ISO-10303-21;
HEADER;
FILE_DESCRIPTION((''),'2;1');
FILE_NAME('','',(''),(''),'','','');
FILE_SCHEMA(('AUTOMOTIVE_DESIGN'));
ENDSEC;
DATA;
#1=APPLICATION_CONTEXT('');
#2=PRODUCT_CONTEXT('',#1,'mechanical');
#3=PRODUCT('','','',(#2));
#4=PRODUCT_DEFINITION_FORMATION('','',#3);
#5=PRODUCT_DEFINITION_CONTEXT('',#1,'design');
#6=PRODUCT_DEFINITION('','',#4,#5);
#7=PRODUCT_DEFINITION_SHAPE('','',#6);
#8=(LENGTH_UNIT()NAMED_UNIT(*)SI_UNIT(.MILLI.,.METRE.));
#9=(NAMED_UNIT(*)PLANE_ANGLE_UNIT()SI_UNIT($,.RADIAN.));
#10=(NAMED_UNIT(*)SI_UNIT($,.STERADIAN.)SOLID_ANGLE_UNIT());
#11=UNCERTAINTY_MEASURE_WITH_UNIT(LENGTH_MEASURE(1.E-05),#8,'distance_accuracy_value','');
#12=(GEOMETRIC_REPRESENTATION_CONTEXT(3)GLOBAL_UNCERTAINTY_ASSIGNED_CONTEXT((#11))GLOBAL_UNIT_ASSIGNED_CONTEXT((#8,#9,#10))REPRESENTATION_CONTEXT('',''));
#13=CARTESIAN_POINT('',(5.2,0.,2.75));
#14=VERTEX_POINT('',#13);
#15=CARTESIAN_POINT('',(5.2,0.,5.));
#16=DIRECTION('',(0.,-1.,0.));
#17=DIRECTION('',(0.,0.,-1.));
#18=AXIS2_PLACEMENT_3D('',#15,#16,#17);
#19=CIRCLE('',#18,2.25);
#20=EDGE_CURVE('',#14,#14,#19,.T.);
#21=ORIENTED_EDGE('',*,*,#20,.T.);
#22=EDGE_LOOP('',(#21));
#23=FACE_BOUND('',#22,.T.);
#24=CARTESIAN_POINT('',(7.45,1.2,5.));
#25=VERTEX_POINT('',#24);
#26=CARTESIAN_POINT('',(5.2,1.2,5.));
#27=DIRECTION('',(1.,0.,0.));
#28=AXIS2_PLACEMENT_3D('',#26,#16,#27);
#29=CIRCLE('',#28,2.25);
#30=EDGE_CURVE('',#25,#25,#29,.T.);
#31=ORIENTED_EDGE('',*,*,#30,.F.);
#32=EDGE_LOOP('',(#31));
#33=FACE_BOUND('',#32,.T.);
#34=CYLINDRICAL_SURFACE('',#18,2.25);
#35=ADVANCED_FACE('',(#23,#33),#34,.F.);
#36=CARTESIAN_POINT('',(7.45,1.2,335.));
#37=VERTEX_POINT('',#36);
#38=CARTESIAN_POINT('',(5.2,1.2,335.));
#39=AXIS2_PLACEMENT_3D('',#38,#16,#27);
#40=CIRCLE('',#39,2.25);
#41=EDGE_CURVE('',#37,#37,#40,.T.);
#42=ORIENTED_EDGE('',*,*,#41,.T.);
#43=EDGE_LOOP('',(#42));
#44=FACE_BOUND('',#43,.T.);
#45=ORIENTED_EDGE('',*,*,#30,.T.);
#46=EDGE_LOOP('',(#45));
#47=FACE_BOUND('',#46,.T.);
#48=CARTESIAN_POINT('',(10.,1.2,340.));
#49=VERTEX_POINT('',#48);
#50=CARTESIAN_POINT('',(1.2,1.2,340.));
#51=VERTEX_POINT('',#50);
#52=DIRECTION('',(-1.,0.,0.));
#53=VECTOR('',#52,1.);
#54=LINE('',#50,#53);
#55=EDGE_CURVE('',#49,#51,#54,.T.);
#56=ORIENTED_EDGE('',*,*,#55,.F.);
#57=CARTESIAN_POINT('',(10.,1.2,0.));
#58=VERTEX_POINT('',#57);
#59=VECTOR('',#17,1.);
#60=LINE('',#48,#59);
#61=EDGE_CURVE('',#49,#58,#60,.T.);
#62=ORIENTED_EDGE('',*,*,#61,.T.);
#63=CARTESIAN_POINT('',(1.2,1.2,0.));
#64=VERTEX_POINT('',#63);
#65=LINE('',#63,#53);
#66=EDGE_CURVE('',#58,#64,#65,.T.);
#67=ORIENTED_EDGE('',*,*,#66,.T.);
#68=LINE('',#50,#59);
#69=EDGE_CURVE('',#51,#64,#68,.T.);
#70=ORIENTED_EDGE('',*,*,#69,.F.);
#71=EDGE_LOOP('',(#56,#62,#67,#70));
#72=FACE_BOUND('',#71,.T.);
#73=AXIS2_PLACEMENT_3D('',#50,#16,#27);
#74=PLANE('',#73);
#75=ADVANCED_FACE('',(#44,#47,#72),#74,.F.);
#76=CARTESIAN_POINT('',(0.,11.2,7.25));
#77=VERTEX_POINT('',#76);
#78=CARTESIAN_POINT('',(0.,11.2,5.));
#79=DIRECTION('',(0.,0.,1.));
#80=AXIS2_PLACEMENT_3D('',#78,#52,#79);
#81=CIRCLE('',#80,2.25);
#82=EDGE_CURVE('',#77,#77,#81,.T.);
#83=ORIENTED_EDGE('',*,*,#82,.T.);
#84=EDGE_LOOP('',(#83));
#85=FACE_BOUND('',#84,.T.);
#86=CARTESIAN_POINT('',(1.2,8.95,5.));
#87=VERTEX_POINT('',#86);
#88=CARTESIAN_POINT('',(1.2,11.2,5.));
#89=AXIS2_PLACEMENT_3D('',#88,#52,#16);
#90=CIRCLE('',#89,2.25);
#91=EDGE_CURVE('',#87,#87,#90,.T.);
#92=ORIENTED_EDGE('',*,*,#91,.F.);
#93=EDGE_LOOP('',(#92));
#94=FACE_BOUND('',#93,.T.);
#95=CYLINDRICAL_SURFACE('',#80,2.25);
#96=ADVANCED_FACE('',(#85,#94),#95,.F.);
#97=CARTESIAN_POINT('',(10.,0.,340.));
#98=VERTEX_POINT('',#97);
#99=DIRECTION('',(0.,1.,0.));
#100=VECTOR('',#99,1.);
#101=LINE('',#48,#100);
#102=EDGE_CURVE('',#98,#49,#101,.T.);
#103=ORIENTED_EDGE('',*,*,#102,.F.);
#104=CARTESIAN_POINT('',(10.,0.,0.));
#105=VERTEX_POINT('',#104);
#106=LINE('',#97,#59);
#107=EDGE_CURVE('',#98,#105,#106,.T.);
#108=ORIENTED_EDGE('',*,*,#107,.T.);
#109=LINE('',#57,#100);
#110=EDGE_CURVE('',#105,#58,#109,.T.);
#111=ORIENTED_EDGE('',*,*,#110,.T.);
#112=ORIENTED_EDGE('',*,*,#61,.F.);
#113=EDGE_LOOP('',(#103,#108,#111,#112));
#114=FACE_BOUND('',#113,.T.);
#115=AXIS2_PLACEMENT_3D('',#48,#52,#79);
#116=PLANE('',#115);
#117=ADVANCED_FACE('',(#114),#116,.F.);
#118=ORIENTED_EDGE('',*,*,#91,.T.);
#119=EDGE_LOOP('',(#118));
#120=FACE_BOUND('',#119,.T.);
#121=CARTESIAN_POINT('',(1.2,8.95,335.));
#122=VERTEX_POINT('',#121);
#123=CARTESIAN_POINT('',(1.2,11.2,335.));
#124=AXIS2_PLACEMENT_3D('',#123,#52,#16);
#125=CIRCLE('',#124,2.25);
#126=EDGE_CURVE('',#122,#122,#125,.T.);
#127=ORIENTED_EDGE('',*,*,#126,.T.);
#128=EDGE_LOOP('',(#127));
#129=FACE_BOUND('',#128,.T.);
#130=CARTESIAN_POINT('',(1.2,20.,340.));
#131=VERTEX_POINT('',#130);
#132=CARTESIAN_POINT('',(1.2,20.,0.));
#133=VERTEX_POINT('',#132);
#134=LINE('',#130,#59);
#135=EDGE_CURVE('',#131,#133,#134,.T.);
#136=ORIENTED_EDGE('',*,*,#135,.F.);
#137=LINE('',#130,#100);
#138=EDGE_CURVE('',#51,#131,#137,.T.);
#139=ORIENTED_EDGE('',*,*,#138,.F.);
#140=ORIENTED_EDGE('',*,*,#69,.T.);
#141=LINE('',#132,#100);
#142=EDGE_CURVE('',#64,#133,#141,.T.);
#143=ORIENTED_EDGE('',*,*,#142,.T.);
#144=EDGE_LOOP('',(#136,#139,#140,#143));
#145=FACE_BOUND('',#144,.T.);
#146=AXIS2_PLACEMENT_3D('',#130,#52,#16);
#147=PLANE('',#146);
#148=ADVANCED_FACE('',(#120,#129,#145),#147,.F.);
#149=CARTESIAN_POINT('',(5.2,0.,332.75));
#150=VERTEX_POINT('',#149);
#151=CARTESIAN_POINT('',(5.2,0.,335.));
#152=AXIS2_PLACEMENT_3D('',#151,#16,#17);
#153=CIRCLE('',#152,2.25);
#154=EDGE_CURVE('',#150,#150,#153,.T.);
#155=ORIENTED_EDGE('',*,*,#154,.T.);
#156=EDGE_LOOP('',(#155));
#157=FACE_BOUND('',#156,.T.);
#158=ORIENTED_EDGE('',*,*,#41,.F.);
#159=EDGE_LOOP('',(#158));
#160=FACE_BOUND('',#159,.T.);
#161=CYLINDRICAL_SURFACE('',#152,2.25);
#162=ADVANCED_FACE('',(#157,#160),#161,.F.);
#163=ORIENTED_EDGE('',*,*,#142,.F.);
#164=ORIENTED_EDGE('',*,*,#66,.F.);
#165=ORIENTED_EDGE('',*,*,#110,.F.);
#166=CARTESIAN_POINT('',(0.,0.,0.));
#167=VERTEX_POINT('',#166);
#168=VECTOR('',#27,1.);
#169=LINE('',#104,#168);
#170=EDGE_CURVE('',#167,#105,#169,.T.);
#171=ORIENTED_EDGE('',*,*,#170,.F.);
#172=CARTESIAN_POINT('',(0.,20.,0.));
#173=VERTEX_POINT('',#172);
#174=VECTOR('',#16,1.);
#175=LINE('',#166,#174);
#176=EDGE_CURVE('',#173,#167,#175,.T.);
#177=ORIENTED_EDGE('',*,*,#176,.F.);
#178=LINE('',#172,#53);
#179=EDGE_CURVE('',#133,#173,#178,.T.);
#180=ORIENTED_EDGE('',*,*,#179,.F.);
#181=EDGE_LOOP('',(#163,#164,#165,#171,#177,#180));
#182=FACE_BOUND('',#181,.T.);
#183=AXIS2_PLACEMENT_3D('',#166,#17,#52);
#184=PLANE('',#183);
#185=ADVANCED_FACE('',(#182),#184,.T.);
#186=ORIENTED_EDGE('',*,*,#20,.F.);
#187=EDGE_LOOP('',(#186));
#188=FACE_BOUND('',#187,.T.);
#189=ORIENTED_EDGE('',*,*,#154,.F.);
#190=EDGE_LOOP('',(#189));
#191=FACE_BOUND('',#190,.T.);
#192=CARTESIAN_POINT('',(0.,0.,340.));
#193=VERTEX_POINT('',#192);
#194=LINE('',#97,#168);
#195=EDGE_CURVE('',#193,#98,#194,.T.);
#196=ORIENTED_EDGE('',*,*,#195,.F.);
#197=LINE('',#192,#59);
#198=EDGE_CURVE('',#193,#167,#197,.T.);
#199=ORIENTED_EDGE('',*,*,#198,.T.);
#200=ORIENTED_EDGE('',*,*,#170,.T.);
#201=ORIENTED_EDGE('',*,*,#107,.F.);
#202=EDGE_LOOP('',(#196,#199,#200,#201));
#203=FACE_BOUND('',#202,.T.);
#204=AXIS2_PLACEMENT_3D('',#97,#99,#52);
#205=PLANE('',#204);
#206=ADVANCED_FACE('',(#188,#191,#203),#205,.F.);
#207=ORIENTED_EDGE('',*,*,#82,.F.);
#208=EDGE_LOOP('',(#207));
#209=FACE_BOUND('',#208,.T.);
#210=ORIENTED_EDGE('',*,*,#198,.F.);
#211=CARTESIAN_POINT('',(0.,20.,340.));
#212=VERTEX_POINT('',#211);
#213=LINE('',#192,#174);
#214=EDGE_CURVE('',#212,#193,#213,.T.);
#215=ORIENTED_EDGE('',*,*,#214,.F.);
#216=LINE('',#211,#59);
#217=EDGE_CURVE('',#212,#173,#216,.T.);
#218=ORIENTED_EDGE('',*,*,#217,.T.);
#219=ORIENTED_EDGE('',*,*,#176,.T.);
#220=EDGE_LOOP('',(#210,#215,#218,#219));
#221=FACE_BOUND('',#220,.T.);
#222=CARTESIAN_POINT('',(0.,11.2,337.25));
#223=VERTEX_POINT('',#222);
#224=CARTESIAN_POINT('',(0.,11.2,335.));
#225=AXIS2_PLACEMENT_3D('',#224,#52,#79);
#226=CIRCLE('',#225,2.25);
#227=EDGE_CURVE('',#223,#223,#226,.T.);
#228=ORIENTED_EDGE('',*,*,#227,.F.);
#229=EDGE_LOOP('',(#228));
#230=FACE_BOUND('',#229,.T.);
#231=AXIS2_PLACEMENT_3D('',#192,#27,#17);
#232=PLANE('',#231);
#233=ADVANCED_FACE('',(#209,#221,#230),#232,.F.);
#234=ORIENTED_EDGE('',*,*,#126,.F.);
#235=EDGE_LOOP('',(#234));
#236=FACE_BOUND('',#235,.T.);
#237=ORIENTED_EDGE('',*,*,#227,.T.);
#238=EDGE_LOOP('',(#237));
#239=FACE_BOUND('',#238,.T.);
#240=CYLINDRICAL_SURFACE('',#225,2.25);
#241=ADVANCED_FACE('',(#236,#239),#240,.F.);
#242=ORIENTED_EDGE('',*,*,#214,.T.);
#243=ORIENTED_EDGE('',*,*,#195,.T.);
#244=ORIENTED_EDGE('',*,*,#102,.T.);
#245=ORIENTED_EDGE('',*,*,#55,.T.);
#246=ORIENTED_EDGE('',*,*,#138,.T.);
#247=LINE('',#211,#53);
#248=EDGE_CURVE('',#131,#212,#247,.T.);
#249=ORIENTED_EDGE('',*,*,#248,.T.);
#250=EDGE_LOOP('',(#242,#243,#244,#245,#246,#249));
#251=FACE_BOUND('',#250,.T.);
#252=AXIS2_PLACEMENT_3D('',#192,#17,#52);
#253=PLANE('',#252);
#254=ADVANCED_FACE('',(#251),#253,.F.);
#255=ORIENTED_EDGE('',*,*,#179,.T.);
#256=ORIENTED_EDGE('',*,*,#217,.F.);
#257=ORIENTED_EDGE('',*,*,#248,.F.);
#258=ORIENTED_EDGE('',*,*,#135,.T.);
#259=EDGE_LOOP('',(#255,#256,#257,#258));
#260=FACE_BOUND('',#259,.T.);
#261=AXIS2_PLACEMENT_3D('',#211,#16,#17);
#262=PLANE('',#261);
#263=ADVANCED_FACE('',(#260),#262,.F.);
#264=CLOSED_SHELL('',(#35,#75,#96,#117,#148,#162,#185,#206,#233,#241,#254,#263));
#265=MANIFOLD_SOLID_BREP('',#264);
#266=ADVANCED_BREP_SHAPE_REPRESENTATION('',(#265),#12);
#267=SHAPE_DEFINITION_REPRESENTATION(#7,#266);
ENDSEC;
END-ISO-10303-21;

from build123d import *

# Parameters (mm, degrees)
EXTRUDE_1_DEPTH       = 340
HOLE_WIZARD_M41_D     = 4.5
HOLE_WIZARD_M41_DEPTH = 5
HOLE_WIZARD_M41_TIP   = 1.351936393
HOLE_WIZARD_M42_D     = 4.5
HOLE_WIZARD_M42_DEPTH = 5
HOLE_WIZARD_M42_TIP   = 1.351936393


with BuildPart() as part:
    # Эскиз1 → Бобышка-Вытянуть1 (new body)
    with BuildSketch(Plane.XY):
        Polygon((0, 0), (0, 20), (1.2, 20), (1.2, 1.2), (10, 1.2), (10, 0), align=None)
    extrude(amount=EXTRUDE_1_DEPTH)

    # Отверстие с зазором M41
    with Locations(Plane.ZY):
        with Locations((335, 11.2), (5, 11.2)):
            Hole(HOLE_WIZARD_M41_D / 2, depth=HOLE_WIZARD_M41_DEPTH)
            with Locations((0, 0, -(HOLE_WIZARD_M41_DEPTH + HOLE_WIZARD_M41_TIP / 2))):  # 118° drill point
                Cone(0, HOLE_WIZARD_M41_D / 2, HOLE_WIZARD_M41_TIP, mode=Mode.SUBTRACT)

    # Отверстие с зазором M42
    with Locations(Plane.XZ):
        with Locations((5.2, 5), (5.2, 335)):
            Hole(HOLE_WIZARD_M42_D / 2, depth=HOLE_WIZARD_M42_DEPTH)
            with Locations((0, 0, -(HOLE_WIZARD_M42_DEPTH + HOLE_WIZARD_M42_TIP / 2))):  # 118° drill point
                Cone(0, HOLE_WIZARD_M42_D / 2, HOLE_WIZARD_M42_TIP, mode=Mode.SUBTRACT)


solid = part.part
